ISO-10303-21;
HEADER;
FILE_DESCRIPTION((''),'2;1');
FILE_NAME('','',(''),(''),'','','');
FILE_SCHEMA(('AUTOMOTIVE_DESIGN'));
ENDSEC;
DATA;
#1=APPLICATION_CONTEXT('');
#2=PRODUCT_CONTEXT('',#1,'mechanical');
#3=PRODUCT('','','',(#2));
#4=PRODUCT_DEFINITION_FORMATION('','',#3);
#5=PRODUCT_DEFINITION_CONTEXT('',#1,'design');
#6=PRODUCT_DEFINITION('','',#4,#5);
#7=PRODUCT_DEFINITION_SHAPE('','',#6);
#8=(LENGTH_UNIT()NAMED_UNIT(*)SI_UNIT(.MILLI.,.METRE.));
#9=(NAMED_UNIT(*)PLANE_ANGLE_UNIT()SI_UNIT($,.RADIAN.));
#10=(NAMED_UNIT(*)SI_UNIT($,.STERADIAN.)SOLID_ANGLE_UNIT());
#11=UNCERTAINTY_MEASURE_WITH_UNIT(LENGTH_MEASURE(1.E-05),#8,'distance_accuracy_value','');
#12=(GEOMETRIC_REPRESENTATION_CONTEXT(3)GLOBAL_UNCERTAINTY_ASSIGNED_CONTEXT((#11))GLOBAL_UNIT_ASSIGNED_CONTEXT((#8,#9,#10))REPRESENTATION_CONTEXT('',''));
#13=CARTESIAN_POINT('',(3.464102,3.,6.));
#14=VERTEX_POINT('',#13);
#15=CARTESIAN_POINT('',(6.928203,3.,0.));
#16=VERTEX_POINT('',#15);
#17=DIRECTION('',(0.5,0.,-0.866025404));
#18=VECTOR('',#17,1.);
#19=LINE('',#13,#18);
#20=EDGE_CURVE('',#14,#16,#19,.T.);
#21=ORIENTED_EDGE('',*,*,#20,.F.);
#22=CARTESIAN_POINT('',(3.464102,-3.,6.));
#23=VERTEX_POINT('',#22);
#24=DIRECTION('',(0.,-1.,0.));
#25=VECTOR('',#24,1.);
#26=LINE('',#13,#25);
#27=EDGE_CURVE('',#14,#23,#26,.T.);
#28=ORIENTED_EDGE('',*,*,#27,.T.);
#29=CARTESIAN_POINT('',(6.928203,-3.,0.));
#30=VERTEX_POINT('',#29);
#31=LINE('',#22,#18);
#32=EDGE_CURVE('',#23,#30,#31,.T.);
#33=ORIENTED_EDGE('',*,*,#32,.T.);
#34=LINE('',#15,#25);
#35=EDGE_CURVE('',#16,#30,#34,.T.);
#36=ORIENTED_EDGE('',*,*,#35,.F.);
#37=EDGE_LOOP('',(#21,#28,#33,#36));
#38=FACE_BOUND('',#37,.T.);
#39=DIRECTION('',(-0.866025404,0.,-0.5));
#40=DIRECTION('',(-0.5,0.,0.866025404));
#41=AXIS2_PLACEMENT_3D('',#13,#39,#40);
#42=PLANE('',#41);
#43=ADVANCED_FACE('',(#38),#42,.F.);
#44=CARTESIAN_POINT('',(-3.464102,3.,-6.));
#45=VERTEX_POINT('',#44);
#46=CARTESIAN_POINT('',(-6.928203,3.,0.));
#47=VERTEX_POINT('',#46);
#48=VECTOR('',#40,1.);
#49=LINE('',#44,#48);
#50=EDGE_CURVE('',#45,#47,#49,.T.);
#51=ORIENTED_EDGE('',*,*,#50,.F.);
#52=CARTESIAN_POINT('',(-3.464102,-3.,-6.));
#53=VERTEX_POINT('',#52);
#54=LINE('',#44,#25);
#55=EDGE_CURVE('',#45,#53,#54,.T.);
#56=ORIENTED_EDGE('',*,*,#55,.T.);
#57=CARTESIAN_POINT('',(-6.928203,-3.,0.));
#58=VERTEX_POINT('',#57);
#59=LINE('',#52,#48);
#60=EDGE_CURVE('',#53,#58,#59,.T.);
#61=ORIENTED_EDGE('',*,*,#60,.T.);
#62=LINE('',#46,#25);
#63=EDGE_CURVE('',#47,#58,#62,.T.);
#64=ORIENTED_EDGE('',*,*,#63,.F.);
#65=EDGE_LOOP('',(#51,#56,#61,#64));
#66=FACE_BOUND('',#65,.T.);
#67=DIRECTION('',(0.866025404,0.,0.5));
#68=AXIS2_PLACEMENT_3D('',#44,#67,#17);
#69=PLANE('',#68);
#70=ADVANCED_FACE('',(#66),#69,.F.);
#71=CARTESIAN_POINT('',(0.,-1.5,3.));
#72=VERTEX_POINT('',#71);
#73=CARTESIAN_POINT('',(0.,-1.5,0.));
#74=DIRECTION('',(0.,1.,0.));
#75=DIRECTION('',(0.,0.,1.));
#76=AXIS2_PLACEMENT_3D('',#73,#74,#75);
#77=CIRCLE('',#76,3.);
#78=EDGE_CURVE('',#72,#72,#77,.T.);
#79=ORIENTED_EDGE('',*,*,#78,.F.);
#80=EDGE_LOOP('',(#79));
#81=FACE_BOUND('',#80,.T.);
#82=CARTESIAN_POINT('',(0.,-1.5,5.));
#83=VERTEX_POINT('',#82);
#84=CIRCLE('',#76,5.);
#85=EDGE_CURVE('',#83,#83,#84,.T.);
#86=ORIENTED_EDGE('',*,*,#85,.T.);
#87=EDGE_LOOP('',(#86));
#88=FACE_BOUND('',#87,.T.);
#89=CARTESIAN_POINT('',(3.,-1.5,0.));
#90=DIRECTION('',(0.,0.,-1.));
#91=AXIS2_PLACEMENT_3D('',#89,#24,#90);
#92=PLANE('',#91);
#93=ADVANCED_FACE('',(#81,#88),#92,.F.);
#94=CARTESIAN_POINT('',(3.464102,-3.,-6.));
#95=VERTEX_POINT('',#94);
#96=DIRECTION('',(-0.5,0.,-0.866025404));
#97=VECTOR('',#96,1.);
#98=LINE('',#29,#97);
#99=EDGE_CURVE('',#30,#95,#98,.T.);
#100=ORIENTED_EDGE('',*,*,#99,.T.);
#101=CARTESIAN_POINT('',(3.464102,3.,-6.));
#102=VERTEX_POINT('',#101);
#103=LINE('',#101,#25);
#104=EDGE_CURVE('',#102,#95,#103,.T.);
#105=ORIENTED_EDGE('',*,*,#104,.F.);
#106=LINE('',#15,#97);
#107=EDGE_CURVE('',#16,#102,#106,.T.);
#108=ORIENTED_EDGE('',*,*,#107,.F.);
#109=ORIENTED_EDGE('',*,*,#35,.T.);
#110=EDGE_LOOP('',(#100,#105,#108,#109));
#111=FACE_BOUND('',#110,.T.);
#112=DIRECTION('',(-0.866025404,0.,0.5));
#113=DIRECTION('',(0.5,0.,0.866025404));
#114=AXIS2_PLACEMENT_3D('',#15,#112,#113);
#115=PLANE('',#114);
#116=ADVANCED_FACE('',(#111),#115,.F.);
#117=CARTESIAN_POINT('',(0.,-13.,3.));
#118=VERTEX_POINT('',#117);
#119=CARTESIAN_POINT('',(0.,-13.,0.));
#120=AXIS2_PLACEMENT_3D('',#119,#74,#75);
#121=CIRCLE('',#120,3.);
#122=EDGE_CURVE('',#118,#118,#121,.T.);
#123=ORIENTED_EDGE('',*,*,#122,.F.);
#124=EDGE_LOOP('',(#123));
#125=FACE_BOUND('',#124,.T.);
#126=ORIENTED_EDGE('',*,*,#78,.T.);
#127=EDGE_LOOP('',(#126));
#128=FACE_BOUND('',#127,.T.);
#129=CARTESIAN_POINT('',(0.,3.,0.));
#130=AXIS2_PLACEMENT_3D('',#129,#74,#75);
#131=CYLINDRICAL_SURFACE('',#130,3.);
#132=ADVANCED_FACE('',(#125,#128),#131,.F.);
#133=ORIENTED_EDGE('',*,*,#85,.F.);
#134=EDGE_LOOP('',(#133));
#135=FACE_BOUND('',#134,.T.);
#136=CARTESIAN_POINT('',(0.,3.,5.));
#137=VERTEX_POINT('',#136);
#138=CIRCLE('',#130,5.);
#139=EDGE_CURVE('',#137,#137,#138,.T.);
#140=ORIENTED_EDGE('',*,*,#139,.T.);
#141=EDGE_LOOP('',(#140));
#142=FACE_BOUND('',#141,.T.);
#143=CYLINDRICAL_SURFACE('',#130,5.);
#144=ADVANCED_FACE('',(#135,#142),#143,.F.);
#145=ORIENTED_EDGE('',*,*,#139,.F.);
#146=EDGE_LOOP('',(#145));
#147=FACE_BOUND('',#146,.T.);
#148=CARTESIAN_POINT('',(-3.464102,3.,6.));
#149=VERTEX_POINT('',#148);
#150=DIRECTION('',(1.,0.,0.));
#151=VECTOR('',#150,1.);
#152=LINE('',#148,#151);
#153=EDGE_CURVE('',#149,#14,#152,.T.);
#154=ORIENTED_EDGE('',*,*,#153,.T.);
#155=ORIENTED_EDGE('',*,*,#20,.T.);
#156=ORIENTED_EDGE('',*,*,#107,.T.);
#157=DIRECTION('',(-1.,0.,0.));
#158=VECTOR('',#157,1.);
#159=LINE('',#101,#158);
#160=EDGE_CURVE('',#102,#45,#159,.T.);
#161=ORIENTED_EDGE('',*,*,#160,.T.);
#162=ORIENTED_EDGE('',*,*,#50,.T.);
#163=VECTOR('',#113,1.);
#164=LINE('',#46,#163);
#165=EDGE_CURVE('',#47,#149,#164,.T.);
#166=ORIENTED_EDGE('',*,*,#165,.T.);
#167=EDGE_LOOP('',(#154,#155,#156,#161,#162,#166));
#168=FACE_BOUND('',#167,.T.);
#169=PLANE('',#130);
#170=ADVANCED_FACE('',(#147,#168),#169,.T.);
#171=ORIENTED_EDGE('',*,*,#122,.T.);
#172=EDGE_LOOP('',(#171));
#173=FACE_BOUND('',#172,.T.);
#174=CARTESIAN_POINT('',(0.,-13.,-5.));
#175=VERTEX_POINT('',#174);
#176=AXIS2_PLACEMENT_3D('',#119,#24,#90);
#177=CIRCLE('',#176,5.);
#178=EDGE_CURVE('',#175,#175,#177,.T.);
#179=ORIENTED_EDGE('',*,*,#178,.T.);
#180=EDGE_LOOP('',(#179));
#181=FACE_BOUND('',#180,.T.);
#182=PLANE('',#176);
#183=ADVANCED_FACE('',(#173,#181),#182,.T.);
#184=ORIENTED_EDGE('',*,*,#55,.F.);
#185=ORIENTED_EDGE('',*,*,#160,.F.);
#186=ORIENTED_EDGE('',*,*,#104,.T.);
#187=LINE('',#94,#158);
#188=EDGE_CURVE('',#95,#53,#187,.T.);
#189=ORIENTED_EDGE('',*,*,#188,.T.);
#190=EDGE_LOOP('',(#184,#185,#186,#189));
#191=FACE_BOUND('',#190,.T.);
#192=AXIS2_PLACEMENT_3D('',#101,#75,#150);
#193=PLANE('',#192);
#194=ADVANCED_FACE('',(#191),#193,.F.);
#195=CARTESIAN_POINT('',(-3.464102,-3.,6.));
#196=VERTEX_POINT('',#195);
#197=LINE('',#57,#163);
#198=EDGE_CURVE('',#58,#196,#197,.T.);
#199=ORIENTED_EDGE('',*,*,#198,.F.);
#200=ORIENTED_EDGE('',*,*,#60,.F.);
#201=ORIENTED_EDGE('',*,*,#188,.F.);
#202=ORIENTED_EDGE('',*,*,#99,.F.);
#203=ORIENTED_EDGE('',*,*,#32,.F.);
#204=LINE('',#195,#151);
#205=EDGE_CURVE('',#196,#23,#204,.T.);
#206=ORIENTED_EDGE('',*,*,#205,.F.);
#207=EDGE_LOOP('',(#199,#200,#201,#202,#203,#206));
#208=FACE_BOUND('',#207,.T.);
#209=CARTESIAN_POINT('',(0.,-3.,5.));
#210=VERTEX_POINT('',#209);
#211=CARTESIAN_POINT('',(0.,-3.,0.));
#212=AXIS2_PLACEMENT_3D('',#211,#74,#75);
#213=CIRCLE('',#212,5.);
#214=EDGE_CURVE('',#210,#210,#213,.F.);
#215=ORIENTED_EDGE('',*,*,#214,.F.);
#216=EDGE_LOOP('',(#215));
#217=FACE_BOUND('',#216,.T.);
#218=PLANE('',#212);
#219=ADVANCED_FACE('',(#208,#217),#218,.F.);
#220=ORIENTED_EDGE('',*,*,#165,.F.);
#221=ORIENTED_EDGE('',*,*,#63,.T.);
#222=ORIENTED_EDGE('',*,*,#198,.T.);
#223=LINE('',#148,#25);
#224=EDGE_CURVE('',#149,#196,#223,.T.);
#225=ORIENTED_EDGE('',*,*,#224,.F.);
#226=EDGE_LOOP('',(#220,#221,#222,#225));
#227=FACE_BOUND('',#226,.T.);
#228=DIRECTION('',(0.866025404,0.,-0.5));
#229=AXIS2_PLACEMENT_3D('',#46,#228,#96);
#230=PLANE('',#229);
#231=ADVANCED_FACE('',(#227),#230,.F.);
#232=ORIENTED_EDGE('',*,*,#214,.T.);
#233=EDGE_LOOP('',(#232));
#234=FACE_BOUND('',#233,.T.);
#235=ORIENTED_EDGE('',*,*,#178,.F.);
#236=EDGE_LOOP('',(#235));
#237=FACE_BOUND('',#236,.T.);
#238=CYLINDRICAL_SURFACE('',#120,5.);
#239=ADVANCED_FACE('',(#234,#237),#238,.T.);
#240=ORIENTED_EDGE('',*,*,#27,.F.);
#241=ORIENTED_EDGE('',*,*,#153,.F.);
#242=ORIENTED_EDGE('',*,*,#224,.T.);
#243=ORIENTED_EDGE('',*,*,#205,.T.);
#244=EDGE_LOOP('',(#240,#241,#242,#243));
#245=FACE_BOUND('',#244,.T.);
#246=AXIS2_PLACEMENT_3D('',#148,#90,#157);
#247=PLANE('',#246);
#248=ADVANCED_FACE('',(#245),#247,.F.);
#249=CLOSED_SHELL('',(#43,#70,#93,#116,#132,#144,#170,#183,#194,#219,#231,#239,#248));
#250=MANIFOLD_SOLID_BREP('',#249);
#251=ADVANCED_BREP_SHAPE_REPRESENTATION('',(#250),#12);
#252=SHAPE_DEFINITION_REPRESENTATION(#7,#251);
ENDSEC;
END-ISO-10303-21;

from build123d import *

# Parameters (mm, degrees)
EXTRUDE_1_DEPTH              = 3
SKETCH_2_R                   = 5
EXTRUDE_2_DEPTH              = 10
HOLE_WIZARD_M4_1_D           = 6
HOLE_WIZARD_M4_1_CBORE_D     = 10
HOLE_WIZARD_M4_1_CBORE_DEPTH = 4.5


with BuildPart() as part:
    # 草图1 → 凸台-拉伸1 (new, symmetric)
    with BuildSketch(Plane(origin=(0, 0, 0), x_dir=(1, 0, 0), z_dir=(0, 1, 0))):
        Polygon((6.92820323, 0), (3.464101615, 6), (-3.464101615, 6), (-6.92820323, 0), (-3.464101615, -6), (3.464101615, -6), align=None)
    extrude(amount=EXTRUDE_1_DEPTH, both=True)

    # 草图2 → 凸台-拉伸2 (add)
    with BuildSketch(Plane.XZ.offset(3)):
        with Locations(Location((0, 0, 0), (0, 0, 90))):
            Circle(SKETCH_2_R)
    extrude(amount=EXTRUDE_2_DEPTH)

    # M4 六角头螺栓的柱形沉头孔1 (through all)
    with Locations(Plane(origin=(0, 3, 0), x_dir=(1, 0, 0), z_dir=(0, 1, 0))):
        with Locations((0, 0)):
            CounterBoreHole(HOLE_WIZARD_M4_1_D / 2, HOLE_WIZARD_M4_1_CBORE_D / 2, HOLE_WIZARD_M4_1_CBORE_DEPTH)


solid = part.part
